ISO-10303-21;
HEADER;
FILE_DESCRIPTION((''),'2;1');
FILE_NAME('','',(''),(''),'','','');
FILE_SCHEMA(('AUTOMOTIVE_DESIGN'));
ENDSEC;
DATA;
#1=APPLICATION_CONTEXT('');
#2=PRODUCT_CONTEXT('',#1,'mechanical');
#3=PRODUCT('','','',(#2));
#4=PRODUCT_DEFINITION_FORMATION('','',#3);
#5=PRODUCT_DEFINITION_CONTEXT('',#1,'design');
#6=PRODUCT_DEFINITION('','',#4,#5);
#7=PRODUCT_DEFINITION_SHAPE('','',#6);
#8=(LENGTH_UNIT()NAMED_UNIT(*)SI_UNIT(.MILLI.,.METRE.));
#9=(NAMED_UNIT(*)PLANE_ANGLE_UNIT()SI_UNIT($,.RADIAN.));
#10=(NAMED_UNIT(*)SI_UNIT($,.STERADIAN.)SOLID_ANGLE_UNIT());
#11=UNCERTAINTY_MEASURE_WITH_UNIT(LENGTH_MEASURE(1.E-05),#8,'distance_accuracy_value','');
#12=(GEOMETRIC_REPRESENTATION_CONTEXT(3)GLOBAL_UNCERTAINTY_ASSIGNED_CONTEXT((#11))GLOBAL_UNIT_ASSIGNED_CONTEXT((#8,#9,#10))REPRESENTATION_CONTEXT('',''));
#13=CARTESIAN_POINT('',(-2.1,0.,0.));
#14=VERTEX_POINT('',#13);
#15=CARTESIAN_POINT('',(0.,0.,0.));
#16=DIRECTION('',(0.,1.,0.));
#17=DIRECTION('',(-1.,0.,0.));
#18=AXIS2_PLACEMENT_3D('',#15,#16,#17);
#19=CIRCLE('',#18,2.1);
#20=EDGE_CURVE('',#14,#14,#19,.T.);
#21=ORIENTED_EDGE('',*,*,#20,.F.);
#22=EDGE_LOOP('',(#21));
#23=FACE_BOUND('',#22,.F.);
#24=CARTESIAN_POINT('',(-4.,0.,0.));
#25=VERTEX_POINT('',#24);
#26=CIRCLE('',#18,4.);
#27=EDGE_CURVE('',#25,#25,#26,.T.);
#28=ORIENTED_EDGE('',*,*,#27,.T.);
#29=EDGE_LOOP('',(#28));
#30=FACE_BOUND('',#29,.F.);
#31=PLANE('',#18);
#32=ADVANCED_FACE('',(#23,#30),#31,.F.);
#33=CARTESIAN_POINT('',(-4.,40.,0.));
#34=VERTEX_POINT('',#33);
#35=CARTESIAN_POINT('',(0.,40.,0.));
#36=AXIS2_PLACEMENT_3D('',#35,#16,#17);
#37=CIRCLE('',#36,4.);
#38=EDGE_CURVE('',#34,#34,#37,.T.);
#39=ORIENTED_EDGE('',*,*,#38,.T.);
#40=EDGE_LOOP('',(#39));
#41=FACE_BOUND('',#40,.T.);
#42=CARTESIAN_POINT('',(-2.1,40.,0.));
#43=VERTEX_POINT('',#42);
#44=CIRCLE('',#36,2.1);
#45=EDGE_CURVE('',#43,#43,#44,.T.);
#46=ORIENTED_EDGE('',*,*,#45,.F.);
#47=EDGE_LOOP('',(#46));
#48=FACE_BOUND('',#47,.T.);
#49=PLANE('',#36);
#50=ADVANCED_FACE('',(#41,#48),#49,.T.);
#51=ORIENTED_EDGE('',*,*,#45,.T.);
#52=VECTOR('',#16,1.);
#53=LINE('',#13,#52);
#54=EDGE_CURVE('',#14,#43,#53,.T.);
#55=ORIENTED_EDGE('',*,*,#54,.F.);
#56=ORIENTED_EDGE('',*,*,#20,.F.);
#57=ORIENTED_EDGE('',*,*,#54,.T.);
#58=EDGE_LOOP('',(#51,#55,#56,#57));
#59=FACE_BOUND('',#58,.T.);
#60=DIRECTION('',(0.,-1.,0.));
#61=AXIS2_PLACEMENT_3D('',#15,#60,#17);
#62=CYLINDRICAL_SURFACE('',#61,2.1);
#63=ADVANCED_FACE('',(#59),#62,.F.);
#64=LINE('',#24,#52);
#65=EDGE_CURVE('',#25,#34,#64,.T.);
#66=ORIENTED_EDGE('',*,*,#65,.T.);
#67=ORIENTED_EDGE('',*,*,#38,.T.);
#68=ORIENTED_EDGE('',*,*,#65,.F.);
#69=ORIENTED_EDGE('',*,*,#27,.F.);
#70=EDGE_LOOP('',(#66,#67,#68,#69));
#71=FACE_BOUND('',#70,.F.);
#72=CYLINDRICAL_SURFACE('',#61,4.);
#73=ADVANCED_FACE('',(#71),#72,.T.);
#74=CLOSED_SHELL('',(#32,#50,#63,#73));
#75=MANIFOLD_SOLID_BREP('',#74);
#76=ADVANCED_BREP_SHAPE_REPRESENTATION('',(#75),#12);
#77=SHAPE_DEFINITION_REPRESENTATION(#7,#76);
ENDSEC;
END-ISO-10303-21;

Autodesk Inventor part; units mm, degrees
ref_plane "YZ Plane" through (0, 0, 0) normal (1, 0, 0) x (0, 1, 0)
ref_plane "XZ Plane" through (0, 0, 0) normal (0, 1, 0) x (-1, 0, 0)
ref_plane "XY Plane" through (0, 0, 0) normal (0, 0, 1) x (1, 0, 0)
sketch "Sketch1" plane through (0, 0, 0) normal (0, 1, 0) x (-1, 0, 0)
  circle A0 centre (0, 0) radius 2.1
  circle A1 centre (0, 0) radius 4
  dimension "d0" = 4.2
  dimension "d1" = 1.9
extrude "Extrusion1" add sketch "Sketch1" along normal blind 40
properties part number "CH_01_0049_distans_40mm"
